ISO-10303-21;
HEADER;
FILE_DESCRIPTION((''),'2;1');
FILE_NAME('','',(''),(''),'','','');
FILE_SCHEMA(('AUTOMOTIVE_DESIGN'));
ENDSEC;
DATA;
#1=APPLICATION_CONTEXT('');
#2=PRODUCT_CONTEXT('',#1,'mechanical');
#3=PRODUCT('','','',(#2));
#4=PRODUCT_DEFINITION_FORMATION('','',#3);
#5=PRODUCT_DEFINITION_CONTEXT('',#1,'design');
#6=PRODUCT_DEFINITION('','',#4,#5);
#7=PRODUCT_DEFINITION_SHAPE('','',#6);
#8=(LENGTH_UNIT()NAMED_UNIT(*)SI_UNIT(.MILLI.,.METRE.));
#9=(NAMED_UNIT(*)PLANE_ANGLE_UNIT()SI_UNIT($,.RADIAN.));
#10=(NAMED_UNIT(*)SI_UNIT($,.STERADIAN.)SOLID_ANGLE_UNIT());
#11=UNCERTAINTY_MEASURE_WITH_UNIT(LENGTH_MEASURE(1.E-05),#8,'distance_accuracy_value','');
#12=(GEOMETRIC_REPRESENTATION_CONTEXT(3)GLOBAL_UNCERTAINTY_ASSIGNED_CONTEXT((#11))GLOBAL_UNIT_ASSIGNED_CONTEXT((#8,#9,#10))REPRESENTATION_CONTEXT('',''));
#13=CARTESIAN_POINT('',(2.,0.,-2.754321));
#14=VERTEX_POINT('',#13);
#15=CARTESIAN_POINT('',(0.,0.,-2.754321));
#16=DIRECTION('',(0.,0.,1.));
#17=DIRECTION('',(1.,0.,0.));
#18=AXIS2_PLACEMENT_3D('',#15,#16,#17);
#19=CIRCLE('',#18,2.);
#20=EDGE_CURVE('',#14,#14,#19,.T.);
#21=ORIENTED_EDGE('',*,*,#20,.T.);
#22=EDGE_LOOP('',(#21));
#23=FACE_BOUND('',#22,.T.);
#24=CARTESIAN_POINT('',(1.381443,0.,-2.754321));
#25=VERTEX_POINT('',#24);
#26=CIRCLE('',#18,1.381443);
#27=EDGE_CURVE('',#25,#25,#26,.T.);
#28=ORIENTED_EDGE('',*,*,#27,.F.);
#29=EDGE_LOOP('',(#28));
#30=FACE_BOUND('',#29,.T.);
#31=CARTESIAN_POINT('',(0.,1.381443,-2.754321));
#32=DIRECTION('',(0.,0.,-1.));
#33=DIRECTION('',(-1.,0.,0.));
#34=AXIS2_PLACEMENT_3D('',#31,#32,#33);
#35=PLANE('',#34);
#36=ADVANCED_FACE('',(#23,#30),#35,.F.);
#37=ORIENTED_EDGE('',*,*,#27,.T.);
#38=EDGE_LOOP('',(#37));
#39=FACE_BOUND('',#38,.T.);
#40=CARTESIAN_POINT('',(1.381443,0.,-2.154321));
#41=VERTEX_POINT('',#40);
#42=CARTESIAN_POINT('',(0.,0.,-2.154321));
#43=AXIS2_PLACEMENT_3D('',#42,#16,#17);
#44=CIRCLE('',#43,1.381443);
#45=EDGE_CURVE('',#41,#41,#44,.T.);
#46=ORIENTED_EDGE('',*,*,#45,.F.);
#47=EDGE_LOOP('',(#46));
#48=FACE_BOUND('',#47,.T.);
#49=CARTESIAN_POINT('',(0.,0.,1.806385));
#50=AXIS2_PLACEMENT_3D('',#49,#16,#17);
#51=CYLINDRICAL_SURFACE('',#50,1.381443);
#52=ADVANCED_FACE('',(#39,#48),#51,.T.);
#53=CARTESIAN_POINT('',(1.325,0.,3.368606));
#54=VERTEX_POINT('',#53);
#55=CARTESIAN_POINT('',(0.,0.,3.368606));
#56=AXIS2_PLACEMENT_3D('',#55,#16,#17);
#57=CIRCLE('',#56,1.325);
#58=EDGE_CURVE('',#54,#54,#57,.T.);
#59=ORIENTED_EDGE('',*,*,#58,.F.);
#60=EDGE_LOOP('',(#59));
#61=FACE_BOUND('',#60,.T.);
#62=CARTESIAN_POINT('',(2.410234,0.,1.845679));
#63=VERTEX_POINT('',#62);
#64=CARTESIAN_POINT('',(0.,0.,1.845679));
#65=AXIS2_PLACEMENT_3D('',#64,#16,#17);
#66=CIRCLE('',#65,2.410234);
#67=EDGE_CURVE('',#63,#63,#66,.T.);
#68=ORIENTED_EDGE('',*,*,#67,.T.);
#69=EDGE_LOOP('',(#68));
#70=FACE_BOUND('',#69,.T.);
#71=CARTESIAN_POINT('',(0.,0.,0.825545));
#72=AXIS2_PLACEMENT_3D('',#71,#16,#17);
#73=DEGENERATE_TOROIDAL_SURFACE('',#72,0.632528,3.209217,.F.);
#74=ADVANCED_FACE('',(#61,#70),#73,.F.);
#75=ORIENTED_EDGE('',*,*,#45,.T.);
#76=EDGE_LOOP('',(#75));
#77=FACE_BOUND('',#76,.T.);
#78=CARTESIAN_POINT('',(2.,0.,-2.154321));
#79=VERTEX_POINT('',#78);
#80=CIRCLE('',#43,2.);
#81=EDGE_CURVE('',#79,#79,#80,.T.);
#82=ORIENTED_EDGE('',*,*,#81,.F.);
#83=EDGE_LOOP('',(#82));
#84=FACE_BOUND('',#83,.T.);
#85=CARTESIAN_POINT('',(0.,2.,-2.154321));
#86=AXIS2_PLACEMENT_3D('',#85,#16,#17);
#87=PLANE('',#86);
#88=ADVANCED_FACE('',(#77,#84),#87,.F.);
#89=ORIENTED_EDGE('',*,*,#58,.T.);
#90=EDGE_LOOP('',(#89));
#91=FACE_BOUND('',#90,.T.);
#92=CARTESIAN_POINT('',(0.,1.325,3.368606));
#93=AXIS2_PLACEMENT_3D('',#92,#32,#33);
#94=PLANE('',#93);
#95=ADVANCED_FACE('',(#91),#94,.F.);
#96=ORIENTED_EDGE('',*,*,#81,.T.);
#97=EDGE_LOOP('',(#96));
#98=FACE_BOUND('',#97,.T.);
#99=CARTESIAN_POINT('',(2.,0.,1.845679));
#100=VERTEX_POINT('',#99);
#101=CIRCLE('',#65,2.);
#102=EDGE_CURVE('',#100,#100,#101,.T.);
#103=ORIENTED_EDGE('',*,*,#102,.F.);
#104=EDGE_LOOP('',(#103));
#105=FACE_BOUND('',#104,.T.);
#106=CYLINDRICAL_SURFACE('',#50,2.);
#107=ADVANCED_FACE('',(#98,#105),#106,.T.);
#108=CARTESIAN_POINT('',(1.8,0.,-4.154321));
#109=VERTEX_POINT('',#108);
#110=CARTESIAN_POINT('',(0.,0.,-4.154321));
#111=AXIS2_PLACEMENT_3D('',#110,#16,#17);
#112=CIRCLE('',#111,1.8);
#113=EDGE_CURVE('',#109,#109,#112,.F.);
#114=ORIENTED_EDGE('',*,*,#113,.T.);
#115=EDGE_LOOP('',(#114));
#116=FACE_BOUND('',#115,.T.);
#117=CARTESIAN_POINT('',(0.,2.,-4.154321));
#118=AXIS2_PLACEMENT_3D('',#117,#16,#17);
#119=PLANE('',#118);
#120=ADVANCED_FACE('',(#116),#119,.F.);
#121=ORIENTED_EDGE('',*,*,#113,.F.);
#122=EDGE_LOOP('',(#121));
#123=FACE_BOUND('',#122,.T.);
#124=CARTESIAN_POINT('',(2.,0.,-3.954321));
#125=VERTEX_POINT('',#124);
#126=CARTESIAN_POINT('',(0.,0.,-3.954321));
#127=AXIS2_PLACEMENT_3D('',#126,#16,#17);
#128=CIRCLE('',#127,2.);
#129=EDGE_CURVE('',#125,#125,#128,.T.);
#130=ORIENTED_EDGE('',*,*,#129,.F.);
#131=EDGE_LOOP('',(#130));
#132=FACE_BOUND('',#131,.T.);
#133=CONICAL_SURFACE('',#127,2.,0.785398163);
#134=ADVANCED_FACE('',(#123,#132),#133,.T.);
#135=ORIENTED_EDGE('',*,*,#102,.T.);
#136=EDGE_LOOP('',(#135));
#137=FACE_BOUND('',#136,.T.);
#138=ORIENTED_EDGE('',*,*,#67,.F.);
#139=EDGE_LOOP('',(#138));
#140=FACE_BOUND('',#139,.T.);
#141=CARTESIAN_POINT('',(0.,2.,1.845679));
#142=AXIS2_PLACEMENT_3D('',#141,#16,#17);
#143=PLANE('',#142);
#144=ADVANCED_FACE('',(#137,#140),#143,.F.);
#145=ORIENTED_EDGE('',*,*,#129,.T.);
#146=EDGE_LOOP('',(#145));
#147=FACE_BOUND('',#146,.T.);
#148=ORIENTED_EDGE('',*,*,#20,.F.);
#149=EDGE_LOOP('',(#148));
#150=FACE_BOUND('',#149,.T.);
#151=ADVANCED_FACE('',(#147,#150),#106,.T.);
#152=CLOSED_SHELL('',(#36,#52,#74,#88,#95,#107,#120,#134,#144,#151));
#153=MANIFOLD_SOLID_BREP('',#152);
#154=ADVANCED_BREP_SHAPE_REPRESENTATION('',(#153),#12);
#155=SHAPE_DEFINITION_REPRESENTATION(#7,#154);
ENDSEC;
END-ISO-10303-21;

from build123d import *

# Parameters (mm, degrees)
CHAMFER1_SIZE = 0.2


with BuildPart() as part:
    # Sketch1 → Revolve1 (revolve)
    with BuildSketch(Plane(origin=(0, 0, 0), x_dir=(0, 0, -1), z_dir=(1, 0, 0)), mode=Mode.PRIVATE) as revolve1_sk:
        with BuildLine():
            Line((-1.80638465, 0), (2.358456395, 0))
            Line((2.358456395, 0), (4.154321235, 0))
            Line((4.154321235, 0), (4.154321235, 2))
            Line((4.154321235, 2), (2.754321235, 2))
            Line((2.754321235, 2), (2.754321235, 1.381443299))
            Line((2.754321235, 1.381443299), (2.154321235, 1.381443299))
            Line((2.154321235, 1.381443299), (2.154321235, 2))
            Line((2.154321235, 2), (-1.845678765, 2))
            Line((-1.845678765, 2), (-1.845678765, 2.410234036))
            ThreePointArc((-1.845678765, 2.410234036), (-2.687941743, 1.981004397), (-3.368605566, 1.325))
            Line((-3.368605566, 1.325), (-3.368605566, 0))
            Line((-3.368605566, 0), (-1.80638465, 0))
        make_face()
    revolve(revolve1_sk.sketch.rotate(Axis((0, 0, 1.80638465), (0, 0, -1)), 90), axis=Axis((0, 0, 1.80638465), (0, 0, -1)))

    # Chamfer1
    chamfer1_edges = [part.edges().sort_by_distance(p)[0] for p in [
        (-2, 0, -4.154321235),
    ]]
    chamfer(chamfer1_edges, length=CHAMFER1_SIZE)


solid = part.part
